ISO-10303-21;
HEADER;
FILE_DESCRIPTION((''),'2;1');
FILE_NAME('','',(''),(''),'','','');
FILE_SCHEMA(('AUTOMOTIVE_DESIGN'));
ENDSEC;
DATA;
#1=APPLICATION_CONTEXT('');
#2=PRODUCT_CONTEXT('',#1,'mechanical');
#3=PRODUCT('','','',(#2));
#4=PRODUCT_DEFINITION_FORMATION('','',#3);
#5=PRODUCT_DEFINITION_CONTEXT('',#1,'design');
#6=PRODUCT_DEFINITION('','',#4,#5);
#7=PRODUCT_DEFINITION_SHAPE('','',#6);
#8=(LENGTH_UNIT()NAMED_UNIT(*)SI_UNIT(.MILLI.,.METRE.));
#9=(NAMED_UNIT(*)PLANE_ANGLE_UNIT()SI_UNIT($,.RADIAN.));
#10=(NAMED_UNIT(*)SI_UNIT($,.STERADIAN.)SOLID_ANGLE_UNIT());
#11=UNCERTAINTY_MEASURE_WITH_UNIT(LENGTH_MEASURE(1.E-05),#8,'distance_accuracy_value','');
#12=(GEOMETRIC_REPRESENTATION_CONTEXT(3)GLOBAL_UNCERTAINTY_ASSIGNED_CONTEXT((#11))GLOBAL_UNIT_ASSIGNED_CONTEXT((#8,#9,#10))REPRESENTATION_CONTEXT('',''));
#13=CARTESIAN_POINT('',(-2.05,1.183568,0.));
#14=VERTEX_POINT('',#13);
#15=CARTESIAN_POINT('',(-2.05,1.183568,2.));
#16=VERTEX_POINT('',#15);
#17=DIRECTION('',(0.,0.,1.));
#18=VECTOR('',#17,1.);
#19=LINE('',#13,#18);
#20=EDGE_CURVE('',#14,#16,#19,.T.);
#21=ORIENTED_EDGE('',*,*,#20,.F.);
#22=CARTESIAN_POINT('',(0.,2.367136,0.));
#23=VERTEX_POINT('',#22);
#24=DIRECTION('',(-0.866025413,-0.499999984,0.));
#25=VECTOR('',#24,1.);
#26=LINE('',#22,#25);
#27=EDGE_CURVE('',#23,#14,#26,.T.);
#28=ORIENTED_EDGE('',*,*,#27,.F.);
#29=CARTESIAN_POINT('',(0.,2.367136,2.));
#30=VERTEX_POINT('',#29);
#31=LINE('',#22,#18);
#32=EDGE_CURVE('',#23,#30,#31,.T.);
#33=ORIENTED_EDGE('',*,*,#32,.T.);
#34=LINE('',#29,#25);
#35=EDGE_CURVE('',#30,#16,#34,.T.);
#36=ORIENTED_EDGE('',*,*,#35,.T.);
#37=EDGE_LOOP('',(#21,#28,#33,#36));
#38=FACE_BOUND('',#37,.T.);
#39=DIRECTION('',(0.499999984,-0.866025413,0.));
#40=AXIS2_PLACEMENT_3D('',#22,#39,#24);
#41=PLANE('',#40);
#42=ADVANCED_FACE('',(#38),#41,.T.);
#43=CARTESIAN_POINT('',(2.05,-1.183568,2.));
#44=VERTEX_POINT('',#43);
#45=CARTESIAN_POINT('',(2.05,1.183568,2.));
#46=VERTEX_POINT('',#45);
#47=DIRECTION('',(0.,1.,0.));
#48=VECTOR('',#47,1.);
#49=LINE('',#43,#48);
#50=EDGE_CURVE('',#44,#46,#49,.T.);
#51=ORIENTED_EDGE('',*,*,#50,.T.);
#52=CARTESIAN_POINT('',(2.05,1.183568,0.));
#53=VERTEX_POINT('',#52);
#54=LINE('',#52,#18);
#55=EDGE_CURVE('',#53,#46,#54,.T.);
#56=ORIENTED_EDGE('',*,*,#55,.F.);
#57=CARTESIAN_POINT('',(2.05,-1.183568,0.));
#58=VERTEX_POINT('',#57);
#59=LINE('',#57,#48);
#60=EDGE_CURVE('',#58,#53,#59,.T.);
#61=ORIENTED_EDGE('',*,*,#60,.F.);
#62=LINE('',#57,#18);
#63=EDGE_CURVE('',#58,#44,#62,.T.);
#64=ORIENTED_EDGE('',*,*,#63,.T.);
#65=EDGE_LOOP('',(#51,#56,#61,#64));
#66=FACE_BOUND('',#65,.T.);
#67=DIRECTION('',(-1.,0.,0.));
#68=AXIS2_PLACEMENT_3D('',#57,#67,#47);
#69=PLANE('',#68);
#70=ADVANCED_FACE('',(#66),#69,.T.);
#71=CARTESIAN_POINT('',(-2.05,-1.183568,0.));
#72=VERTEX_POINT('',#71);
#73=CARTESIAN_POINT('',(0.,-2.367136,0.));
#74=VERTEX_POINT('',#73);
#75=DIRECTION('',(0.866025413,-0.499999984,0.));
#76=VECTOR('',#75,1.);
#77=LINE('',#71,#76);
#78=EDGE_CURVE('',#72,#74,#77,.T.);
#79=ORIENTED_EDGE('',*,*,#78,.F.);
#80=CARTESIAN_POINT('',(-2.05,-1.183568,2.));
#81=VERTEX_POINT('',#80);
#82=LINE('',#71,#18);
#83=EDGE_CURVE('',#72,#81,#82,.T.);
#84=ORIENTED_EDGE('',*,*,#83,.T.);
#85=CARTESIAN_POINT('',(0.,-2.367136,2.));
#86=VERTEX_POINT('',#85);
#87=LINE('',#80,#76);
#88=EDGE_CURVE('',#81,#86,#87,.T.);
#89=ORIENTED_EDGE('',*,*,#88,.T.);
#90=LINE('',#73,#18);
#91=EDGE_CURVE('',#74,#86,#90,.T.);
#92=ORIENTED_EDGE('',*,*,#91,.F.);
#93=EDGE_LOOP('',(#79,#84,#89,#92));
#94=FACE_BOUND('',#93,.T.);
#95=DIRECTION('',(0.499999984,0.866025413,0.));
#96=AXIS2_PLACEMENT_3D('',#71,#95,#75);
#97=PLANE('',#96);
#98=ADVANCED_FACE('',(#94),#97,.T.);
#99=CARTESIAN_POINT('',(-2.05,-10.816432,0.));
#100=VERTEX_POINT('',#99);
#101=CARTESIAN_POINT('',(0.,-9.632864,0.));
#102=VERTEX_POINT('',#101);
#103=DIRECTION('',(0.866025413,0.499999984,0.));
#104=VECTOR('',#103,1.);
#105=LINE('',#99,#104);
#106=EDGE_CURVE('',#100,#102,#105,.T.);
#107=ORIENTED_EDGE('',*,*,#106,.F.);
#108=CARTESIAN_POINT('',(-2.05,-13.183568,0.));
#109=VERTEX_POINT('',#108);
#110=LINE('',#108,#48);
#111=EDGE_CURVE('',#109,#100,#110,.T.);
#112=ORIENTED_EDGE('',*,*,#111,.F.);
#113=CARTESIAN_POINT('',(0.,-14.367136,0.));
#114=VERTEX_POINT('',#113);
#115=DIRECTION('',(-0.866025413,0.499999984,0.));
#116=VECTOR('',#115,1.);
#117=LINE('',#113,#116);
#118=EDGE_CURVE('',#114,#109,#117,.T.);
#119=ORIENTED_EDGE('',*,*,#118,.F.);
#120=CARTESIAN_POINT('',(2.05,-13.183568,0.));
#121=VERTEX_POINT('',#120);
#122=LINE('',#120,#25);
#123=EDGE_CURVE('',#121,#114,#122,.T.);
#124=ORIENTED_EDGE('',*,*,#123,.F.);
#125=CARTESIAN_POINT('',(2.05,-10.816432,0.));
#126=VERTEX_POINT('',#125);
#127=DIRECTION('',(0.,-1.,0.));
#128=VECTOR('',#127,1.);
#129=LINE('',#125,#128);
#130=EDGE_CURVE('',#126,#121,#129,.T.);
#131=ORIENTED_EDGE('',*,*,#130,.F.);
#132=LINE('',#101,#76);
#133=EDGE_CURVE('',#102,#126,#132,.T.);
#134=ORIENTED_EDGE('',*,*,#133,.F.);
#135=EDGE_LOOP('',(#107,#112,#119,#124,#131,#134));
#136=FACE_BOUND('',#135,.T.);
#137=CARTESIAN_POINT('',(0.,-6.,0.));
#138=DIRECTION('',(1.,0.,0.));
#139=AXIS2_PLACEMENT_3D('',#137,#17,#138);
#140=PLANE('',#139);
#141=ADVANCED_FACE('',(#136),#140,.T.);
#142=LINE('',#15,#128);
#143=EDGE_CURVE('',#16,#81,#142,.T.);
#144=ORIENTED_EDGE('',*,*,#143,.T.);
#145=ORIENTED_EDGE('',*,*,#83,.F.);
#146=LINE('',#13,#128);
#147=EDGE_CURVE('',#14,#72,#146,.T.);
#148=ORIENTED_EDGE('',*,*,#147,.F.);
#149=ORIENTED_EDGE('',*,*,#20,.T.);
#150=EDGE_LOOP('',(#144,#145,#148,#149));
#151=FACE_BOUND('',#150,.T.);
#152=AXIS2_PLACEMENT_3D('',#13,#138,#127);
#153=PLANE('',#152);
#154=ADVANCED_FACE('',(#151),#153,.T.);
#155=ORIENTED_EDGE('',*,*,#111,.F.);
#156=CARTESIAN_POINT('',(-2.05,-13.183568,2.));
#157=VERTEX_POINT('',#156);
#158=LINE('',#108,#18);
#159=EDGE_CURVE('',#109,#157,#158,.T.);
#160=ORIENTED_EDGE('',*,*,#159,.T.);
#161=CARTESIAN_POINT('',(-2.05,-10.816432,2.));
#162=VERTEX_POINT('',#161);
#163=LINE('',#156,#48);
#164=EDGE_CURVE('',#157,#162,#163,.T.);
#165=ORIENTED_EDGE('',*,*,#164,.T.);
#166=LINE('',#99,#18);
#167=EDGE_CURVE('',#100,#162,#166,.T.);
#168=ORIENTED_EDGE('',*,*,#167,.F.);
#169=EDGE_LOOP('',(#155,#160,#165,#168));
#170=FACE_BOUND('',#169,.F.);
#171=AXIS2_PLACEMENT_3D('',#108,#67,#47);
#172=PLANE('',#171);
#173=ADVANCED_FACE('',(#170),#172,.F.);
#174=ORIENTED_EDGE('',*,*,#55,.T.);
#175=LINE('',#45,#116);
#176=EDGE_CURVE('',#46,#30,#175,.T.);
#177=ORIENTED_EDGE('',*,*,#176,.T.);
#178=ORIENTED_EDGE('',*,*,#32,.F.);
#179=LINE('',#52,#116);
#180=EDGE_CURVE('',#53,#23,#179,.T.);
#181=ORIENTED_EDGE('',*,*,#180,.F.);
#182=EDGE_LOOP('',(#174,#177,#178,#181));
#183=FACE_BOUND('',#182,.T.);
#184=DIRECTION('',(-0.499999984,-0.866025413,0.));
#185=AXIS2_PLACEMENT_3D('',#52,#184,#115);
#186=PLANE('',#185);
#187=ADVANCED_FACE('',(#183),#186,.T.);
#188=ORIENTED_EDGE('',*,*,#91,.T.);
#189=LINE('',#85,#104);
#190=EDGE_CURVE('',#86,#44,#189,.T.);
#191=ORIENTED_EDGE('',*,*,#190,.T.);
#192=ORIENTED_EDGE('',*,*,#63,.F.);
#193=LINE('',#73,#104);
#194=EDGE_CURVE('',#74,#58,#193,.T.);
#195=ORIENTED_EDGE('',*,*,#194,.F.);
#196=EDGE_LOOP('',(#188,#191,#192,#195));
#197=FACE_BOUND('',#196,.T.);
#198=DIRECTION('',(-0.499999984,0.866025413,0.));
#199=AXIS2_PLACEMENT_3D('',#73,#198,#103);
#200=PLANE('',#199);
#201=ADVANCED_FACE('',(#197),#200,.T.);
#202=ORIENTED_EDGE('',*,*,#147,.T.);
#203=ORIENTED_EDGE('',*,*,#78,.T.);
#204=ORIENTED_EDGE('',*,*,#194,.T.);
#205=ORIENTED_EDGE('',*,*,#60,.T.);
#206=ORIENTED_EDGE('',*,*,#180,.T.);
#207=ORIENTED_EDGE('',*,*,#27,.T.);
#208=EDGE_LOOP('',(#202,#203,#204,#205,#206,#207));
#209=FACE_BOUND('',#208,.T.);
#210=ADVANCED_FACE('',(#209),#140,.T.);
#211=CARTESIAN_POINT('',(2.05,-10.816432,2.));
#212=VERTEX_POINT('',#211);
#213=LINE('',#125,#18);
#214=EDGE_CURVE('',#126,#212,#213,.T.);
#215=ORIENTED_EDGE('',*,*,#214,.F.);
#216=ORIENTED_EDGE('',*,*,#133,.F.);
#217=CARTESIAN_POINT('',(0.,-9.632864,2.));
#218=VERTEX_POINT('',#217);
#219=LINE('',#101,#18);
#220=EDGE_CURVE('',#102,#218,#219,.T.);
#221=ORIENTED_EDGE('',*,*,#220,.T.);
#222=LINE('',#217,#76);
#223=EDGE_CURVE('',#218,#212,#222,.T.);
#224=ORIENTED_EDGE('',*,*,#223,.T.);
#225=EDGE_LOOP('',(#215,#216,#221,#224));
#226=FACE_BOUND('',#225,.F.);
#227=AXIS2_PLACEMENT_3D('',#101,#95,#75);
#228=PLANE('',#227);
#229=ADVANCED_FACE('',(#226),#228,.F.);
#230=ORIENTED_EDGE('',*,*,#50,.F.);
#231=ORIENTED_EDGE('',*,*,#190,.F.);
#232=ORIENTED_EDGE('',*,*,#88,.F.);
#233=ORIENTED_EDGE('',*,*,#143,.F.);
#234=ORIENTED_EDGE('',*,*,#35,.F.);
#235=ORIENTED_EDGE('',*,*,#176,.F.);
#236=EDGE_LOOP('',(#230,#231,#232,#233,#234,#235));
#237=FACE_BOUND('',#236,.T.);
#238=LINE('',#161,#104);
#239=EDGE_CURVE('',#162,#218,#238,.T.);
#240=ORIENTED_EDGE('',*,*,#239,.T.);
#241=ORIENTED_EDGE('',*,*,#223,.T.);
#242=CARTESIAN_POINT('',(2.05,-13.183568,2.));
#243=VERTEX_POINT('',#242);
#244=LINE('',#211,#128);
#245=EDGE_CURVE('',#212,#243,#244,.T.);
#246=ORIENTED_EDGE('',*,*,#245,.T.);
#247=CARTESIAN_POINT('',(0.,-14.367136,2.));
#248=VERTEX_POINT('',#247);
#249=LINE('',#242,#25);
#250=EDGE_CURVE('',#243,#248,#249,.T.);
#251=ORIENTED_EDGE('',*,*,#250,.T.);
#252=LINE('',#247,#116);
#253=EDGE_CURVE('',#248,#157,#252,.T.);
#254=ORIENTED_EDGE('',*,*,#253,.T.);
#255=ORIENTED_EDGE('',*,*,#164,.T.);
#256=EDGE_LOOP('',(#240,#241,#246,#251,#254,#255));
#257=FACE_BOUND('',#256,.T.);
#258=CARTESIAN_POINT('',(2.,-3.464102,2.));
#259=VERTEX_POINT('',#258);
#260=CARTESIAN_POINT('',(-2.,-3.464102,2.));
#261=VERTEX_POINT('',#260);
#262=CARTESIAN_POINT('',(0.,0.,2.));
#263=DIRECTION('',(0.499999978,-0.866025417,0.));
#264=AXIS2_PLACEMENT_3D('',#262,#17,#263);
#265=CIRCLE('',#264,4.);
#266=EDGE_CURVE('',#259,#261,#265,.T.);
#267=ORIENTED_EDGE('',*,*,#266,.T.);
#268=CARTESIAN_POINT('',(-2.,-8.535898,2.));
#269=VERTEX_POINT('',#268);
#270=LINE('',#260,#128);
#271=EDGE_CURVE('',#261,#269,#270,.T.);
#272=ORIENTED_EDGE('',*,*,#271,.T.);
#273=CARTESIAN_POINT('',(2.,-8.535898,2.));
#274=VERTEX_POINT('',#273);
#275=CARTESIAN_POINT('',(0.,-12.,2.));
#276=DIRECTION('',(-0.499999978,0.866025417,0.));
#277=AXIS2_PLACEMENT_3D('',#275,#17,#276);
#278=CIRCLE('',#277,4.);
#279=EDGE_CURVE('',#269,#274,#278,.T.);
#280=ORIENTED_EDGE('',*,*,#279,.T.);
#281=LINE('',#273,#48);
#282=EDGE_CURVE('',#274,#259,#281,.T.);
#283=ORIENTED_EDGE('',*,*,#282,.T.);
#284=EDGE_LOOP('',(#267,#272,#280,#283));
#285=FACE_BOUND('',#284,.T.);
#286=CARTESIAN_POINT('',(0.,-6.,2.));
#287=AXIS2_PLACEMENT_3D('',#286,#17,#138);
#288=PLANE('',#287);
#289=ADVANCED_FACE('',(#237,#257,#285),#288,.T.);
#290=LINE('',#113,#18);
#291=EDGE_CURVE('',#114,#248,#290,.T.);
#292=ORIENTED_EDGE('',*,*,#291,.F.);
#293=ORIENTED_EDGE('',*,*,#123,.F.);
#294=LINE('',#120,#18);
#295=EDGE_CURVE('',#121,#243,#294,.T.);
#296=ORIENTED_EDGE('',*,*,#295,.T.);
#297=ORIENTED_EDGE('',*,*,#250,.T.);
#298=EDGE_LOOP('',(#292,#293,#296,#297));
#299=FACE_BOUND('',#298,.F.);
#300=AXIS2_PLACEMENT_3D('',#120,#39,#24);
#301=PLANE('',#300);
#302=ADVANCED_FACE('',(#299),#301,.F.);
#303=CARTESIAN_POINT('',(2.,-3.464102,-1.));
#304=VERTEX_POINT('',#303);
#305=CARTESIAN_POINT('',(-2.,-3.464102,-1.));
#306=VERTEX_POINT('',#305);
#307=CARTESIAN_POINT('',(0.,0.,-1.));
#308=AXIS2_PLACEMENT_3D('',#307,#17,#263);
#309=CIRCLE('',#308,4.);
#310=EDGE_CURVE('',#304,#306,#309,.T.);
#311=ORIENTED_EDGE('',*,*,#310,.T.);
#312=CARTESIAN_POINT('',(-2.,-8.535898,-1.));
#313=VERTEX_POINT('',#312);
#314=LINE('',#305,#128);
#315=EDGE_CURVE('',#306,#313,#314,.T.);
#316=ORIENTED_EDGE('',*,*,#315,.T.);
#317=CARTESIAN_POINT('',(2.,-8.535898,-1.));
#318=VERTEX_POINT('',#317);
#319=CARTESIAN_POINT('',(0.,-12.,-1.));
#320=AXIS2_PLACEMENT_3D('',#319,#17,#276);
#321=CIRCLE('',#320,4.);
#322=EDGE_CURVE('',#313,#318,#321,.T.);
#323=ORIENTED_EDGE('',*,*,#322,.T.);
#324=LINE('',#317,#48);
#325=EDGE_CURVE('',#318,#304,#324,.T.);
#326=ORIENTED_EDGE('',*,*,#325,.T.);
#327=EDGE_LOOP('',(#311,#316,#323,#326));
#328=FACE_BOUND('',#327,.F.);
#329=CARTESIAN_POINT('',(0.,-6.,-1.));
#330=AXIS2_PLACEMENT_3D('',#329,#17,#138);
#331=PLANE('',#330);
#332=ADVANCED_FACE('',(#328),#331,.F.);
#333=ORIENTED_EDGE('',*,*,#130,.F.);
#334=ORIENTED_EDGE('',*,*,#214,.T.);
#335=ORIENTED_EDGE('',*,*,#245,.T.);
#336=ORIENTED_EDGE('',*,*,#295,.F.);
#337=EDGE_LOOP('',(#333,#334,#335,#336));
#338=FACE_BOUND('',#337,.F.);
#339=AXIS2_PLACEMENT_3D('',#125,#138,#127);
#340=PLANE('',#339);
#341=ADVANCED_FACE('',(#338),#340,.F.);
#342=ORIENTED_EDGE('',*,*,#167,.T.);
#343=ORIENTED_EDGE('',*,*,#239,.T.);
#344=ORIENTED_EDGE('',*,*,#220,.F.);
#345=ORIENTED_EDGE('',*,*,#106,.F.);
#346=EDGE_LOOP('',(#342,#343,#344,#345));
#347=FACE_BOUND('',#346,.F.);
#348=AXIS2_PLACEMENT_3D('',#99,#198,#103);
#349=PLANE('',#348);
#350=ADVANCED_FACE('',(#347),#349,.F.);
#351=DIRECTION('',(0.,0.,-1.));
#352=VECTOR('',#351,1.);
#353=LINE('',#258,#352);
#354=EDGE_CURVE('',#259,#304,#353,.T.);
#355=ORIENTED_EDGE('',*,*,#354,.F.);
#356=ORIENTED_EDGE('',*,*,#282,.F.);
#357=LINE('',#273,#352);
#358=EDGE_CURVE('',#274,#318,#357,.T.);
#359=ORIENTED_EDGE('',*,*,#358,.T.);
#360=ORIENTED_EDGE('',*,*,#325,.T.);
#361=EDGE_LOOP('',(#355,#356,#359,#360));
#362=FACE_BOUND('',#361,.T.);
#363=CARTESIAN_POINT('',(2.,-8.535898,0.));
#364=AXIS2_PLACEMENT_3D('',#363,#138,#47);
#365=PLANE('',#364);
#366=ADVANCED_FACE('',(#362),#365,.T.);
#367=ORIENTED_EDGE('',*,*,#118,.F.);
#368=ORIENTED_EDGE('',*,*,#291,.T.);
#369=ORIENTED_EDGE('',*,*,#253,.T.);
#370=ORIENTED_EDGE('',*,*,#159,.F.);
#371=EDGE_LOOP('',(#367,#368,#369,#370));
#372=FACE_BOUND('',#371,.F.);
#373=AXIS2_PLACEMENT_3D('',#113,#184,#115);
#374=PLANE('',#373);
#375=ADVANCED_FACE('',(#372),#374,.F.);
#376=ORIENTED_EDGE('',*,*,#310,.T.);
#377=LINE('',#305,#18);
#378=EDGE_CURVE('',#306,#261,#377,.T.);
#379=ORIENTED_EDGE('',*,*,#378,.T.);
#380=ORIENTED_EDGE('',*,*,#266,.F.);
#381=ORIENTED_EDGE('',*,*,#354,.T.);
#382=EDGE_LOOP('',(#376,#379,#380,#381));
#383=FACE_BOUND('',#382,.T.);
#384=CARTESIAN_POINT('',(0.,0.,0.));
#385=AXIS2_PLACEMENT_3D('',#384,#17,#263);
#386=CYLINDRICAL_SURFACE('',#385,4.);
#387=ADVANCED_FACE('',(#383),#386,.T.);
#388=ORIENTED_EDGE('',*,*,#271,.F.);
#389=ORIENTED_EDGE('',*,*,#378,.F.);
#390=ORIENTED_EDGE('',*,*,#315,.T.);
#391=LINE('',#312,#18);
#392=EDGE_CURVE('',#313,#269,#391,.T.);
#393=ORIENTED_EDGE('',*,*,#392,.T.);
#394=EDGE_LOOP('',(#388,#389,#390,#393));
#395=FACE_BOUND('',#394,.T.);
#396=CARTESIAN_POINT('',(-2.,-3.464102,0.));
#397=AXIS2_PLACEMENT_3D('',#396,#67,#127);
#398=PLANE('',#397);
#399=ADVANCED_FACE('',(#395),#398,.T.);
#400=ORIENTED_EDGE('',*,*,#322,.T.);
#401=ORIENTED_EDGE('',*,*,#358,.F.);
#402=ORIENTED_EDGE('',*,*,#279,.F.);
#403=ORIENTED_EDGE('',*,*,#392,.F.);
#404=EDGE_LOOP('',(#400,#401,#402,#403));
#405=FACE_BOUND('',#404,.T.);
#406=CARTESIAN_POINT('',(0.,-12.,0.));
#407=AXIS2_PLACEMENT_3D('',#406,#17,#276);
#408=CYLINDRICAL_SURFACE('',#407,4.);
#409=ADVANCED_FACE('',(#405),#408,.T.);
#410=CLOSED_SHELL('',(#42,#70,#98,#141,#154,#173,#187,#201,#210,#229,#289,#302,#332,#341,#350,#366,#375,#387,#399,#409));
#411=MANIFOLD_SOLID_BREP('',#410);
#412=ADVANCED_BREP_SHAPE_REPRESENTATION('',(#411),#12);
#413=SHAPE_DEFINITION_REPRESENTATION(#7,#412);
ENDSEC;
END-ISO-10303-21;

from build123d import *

# Parameters (mm, degrees)
PAD_DEPTH    = 2
SKETCH002_R  = 1.3
POCKET_DEPTH = 3.415102
PAD001_DEPTH = 1


with BuildPart() as part:
    # Sketch → Pad (new body)
    with BuildSketch(Plane.XY):
        with BuildLine():
            ThreePointArc((2, -3.464102), (0, 4), (-2, -3.464102))
            Line((-2, -6), (-2, -3.464102))
            Line((-2, -6), (-2, -8.535898))
            ThreePointArc((-2, -8.535898), (0, -16), (2, -8.535898))
            Line((2, -8.535898), (2, -6))
            Line((2, -3.464102), (2, -6))
        make_face()
        Polygon((0, 2.367136), (-2.05, 1.183568), (-2.05, -1.183568), (0, -2.367136), (2.05, -1.183568), (2.05, 1.183568), align=None, mode=Mode.SUBTRACT)
        Polygon((0, -14.367136), (-2.05, -13.183568), (-2.05, -10.816432), (0, -9.632864), (2.05, -10.816432), (2.05, -13.183568), align=None, mode=Mode.SUBTRACT)
    extrude(amount=PAD_DEPTH)

    # Sketch002 → Pocket (cut, through all)
    with BuildSketch(Plane(origin=(6.221152, -10.775352, 0), x_dir=(-0.866025, -0.5, 0), z_dir=(-0.5, 0.866025, 0))):
        Circle(SKETCH002_R)
    extrude(amount=-POCKET_DEPTH, mode=Mode.SUBTRACT)

    # Sketch003 → Pad001 (join)
    with BuildSketch(Plane.XY):
        with BuildLine():
            ThreePointArc((2, -3.464102), (0, 4), (-2, -3.464102))
            Line((-2, -6), (-2, -3.464102))
            Line((-2, -6), (-2, -8.535898))
            ThreePointArc((-2, -8.535898), (0, -16), (2, -8.535898))
            Line((2, -8.535898), (2, -6))
            Line((2, -3.464102), (2, -6))
        make_face()
    extrude(amount=-PAD001_DEPTH)


solid = part.part
